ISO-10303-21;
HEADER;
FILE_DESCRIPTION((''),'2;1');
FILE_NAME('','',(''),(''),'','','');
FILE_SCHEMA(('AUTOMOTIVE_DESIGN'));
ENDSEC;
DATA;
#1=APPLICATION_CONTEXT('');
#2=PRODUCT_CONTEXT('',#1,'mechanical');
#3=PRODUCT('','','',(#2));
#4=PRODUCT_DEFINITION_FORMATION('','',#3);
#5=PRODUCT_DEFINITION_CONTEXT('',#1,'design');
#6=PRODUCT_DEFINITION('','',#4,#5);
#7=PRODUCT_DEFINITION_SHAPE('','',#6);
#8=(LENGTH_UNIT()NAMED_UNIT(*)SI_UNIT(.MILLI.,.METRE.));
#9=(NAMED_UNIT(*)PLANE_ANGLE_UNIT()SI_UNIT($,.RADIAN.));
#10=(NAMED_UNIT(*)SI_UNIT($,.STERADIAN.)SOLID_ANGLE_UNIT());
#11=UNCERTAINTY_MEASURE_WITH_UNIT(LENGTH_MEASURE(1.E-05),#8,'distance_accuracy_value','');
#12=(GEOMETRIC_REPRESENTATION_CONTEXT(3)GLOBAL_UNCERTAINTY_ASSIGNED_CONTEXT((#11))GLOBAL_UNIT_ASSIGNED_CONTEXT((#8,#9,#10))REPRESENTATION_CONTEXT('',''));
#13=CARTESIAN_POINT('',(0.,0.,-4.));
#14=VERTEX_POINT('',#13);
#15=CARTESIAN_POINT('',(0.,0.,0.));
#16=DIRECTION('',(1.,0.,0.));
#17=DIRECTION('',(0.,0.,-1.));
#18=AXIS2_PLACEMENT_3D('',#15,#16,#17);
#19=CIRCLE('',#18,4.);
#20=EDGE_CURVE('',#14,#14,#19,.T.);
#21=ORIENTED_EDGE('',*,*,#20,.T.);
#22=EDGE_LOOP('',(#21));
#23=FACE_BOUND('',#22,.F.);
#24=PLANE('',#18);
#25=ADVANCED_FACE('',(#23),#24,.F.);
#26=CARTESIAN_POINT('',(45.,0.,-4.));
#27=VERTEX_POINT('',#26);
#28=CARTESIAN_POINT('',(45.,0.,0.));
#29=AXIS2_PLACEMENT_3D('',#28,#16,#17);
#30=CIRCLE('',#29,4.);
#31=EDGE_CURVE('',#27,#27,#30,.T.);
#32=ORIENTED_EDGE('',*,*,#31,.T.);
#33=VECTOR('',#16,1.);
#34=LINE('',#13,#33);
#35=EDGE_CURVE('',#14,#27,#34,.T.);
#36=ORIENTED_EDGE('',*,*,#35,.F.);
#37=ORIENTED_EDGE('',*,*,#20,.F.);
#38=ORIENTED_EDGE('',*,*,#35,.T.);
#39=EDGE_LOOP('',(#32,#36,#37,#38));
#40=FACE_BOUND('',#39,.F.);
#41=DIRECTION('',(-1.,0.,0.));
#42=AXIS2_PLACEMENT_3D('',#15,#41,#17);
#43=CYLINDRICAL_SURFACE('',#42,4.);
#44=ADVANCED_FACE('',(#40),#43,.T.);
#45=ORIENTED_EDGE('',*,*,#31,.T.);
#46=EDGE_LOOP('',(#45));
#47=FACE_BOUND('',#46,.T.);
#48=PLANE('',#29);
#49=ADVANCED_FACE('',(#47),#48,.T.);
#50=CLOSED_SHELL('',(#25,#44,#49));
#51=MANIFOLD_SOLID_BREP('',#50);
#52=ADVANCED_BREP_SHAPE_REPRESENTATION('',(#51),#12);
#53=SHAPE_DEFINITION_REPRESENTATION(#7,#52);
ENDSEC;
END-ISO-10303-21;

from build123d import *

# Parameters (mm, degrees)
CROQUIS1_R              = 4
SALIENTE_EXTRUIR1_DEPTH = 45


with BuildPart() as part:
    # Croquis1 → Saliente-Extruir1 (new body)
    with BuildSketch(Plane(origin=(0, 0, 0), x_dir=(0, 0, -1), z_dir=(1, 0, 0))):
        Circle(CROQUIS1_R)
    extrude(amount=SALIENTE_EXTRUIR1_DEPTH)


solid = part.part
